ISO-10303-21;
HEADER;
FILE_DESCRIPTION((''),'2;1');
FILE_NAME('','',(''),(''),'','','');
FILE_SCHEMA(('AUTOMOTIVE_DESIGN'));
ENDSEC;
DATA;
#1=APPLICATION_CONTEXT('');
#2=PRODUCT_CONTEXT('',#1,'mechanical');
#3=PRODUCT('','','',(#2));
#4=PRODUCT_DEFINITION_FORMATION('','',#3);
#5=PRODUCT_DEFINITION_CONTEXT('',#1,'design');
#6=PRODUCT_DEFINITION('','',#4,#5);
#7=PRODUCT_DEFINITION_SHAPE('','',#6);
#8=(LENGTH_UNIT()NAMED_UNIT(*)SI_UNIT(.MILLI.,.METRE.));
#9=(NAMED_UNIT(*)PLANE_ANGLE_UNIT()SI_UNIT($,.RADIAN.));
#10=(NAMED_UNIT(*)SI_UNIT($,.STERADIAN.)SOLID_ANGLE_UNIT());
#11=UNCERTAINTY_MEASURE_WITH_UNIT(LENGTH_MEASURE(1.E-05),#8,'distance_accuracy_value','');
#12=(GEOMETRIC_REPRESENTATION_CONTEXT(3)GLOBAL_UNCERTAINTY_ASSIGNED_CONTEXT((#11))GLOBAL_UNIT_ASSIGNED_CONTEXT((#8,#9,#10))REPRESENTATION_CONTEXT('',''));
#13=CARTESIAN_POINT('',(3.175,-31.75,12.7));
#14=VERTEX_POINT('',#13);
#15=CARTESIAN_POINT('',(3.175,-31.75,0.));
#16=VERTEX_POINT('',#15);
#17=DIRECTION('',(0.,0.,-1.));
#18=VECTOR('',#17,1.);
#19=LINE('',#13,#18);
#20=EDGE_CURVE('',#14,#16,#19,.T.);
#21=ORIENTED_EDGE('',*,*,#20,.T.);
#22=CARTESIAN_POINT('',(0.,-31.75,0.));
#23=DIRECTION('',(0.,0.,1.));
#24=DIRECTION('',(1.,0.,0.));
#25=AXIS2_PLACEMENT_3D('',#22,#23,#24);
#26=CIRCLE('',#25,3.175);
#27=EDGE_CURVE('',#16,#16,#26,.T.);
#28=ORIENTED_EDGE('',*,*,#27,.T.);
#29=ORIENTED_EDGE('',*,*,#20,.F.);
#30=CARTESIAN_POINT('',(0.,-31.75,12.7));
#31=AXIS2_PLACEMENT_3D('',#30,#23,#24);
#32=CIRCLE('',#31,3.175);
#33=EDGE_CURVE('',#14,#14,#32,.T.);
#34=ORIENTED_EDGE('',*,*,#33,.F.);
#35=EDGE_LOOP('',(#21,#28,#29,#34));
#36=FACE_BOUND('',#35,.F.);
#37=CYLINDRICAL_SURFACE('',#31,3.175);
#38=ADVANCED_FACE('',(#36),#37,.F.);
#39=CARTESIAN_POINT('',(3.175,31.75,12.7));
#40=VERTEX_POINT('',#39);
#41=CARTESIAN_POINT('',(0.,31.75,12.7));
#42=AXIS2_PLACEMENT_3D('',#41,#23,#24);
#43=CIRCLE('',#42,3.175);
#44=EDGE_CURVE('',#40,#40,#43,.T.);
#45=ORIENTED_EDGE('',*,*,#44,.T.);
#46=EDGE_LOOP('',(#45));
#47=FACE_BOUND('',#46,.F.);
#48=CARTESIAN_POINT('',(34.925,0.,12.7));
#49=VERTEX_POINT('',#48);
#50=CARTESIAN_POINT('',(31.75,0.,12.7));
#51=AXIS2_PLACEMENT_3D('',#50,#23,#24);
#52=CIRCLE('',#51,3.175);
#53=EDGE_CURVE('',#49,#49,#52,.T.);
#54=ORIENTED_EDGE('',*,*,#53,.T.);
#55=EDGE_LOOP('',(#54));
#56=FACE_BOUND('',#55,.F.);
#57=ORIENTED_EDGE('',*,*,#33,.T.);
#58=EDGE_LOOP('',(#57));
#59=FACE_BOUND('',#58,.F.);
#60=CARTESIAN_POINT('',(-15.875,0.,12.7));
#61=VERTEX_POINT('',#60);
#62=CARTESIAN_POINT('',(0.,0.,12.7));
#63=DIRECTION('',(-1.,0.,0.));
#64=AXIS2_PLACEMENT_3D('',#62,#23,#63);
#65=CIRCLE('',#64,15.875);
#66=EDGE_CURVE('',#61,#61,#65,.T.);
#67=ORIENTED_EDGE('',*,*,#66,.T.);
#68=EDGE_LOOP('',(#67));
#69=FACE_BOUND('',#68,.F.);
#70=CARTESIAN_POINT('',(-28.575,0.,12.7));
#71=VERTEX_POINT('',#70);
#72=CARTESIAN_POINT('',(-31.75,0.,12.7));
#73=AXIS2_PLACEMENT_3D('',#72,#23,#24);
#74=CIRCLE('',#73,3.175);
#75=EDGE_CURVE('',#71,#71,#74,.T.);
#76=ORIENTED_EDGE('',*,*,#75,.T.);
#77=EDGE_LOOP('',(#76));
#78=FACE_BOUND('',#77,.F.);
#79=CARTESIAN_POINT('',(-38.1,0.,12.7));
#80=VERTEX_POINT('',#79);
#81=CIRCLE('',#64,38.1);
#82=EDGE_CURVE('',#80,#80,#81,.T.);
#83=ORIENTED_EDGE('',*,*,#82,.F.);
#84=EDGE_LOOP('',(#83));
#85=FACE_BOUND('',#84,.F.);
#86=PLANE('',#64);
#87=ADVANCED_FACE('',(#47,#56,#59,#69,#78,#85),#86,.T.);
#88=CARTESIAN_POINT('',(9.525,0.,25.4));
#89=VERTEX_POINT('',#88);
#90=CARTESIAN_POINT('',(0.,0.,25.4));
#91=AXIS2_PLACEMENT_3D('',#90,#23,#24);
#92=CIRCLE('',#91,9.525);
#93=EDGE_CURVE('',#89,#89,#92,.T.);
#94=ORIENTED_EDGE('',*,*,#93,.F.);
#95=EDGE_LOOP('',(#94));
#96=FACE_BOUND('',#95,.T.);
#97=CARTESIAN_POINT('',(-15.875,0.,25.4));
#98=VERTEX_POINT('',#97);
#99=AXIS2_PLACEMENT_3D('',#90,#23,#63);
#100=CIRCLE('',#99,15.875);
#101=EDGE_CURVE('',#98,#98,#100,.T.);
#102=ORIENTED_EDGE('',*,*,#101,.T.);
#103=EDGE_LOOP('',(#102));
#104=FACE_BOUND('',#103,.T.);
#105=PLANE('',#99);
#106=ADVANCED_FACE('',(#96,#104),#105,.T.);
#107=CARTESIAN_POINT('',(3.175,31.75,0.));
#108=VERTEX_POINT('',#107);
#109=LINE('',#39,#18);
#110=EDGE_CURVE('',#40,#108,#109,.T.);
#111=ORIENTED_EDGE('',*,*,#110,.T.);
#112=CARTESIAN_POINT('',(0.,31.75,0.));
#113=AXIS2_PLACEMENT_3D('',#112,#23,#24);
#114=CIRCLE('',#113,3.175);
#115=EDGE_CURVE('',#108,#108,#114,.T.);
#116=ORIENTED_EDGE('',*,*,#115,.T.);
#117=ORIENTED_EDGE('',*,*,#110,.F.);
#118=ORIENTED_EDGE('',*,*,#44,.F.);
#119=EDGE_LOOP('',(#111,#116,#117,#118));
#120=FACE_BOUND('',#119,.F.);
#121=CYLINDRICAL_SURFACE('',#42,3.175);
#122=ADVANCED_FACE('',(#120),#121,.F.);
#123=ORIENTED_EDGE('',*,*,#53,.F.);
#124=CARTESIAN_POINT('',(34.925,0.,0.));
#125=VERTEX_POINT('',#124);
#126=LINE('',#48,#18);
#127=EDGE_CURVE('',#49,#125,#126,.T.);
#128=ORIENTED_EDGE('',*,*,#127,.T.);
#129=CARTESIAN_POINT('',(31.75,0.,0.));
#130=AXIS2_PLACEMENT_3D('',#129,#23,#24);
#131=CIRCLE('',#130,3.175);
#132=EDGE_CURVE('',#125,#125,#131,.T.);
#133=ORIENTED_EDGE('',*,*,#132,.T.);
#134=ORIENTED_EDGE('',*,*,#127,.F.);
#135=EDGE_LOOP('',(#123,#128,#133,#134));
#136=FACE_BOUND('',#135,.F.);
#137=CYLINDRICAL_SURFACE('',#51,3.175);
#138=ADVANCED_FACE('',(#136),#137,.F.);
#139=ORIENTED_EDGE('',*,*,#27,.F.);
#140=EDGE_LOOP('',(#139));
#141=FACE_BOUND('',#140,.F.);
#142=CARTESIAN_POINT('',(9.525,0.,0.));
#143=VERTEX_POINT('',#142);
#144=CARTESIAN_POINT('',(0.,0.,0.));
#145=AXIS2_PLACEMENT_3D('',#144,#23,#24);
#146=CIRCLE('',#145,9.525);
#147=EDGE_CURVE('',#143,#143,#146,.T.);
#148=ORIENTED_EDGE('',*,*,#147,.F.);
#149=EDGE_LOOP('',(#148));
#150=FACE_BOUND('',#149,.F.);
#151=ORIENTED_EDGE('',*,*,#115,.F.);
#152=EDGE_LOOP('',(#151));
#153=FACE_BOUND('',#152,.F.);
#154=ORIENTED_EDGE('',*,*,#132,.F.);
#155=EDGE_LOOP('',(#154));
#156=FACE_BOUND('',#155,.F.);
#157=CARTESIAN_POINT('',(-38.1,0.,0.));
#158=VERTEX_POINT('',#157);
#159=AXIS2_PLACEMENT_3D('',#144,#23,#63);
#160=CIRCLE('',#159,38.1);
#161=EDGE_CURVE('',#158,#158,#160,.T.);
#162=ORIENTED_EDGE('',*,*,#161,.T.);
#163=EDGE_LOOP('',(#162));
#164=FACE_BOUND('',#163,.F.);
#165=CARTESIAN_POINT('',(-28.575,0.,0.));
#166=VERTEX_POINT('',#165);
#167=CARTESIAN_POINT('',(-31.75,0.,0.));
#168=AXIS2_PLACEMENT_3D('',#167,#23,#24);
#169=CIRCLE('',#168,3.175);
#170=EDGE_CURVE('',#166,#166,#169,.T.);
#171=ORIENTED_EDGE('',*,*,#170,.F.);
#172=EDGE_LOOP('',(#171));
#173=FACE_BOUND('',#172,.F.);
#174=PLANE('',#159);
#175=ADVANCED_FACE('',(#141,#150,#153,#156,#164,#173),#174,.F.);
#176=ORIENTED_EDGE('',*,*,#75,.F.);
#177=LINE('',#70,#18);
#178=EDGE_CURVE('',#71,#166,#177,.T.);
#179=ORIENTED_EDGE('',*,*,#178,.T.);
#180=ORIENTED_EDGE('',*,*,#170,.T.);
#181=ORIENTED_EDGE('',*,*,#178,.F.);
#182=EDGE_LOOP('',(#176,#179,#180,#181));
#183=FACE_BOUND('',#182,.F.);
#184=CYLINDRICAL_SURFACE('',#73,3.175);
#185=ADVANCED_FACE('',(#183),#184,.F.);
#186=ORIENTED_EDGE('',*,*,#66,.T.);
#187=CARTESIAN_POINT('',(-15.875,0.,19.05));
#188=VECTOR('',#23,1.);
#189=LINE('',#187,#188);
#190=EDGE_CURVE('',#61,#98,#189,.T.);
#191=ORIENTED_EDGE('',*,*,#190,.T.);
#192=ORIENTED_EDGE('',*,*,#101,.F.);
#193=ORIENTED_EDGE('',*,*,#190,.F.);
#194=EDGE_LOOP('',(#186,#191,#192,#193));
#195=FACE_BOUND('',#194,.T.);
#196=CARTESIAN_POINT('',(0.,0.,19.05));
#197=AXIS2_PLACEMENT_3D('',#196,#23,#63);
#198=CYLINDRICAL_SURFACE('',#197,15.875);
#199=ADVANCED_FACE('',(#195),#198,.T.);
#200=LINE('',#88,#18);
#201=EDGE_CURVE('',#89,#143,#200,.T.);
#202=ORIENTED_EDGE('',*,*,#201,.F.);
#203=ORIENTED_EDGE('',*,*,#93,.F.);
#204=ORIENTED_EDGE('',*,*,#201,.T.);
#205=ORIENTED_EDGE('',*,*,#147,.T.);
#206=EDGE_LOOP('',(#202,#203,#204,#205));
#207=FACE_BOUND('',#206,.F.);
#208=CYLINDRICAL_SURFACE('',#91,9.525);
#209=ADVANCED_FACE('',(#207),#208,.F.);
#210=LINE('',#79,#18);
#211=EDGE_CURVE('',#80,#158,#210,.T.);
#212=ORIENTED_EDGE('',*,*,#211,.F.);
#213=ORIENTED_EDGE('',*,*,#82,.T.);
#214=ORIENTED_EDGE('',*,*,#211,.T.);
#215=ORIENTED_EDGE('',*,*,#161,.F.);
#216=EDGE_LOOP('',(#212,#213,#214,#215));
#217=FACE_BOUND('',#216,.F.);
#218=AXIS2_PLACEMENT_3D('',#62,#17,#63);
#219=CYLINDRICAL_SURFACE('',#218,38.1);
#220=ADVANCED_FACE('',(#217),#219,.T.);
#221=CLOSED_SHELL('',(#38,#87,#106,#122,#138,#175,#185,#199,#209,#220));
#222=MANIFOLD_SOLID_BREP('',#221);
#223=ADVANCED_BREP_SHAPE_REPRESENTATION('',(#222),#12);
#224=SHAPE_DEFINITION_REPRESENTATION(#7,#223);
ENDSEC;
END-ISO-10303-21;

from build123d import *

# Parameters (mm, degrees)
F0_W     = 15.875
F0_H     = 12.7
F2_R     = 3.175
F3_DEPTH = 25.4
F4_R     = 9.525
F5_DEPTH = 50.5226


with BuildPart() as f1:
    # F0 (on Front) → F1 (revolve)
    with BuildSketch(Plane.XZ):
        Polygon((-38.1, 0), (0, 0), (0, 12.7), (-15.875, 12.7), (-38.1, 12.7), align=None)
        with Locations((-7.9375, 19.05)):
            Rectangle(F0_W, F0_H)
    revolve(axis=Axis((0, 0, 18.219382), (0, 0, 1)))

    # F2 (on face) → F3 (cut)
    with BuildSketch(Plane.XY.offset(12.7)):
        with Locations((0, 31.75)):
            Circle(F2_R)
        with Locations((-31.75, 0)):
            Circle(F2_R)
        with Locations((0, -31.75)):
            Circle(F2_R)
        with Locations((31.75, 0)):
            Circle(F2_R)
    extrude(amount=-F3_DEPTH, mode=Mode.SUBTRACT)

    # F4 (on face) → F5 (cut)
    with BuildSketch(Plane.XY.offset(25.4)):
        Circle(F4_R)
    extrude(amount=-F5_DEPTH, mode=Mode.SUBTRACT)


solid = f1.part
